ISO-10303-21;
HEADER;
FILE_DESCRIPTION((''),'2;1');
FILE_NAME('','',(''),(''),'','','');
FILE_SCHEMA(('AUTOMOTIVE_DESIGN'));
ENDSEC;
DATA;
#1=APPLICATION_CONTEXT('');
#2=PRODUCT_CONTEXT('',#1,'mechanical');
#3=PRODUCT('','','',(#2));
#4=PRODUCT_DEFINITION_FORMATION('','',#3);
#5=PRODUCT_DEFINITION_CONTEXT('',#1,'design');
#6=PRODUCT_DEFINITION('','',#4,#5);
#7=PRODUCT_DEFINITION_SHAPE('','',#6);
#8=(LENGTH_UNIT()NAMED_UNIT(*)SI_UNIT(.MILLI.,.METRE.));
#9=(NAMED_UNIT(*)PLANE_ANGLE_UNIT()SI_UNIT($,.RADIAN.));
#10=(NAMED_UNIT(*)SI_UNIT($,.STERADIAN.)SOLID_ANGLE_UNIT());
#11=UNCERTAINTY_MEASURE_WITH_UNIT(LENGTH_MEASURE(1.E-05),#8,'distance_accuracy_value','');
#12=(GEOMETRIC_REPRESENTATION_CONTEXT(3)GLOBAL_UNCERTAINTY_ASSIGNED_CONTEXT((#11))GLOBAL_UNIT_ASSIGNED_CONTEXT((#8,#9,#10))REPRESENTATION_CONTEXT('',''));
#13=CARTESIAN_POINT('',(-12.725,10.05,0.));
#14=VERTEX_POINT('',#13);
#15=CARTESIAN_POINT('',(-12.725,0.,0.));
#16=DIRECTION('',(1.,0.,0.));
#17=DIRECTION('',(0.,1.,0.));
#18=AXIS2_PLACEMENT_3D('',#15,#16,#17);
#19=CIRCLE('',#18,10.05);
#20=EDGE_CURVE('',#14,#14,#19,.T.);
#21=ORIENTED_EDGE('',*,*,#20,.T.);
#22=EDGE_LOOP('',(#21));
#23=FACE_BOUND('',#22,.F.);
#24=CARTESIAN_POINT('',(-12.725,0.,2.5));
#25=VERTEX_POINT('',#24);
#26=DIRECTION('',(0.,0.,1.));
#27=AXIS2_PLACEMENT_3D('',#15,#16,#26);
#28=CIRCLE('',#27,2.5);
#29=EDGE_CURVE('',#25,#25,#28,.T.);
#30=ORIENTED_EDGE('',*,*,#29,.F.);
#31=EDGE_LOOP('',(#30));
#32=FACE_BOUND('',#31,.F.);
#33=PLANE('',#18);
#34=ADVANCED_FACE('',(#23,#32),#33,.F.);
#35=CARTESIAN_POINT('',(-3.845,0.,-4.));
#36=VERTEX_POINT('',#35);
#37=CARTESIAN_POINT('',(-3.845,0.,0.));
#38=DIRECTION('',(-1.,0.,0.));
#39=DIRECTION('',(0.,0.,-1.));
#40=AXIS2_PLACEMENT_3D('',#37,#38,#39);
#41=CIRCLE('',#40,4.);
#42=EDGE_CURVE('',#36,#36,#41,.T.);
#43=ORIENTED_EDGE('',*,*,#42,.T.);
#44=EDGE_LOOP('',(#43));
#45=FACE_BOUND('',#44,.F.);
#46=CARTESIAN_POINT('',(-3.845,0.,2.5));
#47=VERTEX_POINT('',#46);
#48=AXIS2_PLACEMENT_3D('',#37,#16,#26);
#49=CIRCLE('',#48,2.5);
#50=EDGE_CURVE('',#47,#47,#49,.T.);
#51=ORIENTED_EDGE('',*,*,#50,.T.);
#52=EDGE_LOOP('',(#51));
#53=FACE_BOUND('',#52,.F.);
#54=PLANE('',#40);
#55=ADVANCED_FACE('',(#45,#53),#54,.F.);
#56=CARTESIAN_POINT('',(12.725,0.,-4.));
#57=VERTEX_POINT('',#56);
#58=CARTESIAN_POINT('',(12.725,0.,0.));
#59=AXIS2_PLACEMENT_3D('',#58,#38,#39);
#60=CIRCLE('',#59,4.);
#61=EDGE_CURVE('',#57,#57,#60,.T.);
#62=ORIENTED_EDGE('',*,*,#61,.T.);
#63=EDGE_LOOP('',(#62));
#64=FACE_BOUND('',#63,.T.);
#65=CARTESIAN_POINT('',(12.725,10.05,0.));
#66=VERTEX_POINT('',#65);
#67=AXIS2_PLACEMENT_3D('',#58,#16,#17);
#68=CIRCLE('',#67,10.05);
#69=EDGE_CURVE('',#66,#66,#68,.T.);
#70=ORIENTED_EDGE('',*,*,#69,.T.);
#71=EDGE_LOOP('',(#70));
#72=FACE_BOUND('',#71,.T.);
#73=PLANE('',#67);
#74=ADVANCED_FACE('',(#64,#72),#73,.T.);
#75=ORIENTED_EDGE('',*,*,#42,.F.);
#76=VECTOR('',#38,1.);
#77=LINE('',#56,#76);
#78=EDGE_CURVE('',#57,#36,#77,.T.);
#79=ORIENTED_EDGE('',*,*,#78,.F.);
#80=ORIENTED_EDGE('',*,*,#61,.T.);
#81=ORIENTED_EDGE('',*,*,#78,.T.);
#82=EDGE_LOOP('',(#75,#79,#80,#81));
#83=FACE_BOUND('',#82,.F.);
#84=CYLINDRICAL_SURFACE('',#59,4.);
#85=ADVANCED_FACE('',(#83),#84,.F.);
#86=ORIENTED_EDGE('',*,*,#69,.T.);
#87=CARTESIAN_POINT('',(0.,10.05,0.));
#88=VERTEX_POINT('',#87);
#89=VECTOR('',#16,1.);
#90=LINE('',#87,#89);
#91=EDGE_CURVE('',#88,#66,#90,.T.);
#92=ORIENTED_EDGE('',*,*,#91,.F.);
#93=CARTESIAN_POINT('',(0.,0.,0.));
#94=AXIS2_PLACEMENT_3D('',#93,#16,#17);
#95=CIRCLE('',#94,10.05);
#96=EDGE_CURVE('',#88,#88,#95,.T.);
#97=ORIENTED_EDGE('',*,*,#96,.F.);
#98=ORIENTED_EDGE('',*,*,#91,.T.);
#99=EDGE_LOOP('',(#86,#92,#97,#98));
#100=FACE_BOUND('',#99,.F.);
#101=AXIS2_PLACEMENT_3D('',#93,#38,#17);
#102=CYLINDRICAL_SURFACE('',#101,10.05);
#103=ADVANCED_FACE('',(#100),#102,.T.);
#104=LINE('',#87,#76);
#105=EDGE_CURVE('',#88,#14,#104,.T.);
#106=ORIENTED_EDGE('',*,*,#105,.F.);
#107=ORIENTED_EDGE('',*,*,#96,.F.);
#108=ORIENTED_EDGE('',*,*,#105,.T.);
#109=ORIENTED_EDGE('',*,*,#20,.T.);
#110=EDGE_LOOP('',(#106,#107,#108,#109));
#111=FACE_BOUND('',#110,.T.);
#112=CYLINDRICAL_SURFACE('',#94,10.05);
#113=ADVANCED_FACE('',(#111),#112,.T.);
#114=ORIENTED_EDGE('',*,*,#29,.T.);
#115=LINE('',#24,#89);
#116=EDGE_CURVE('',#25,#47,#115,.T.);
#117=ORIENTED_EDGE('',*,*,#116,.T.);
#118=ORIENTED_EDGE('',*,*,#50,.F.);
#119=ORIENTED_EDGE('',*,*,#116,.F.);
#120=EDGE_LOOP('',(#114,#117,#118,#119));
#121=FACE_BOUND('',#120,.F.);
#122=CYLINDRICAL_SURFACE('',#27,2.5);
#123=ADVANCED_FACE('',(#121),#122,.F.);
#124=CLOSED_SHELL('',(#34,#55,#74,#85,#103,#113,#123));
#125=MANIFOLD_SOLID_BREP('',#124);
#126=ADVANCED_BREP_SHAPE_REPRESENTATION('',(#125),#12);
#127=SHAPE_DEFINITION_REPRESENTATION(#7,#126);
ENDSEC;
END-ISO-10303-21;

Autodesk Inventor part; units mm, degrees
ref_plane "YZ Plane" through (0, 0, 0) normal (1, 0, 0) x (0, 1, 0)
ref_plane "XZ Plane" through (0, 0, 0) normal (0, 1, 0) x (-1, 0, 0)
ref_plane "XY Plane" through (0, 0, 0) normal (0, 0, 1) x (1, 0, 0)
sketch "Sketch1" plane through (0, 0, 0) normal (1, 0, 0) x (0, 1, 0)
  circle A0 centre (0, 0) radius 10.05
  dimension "d0" = 20.1
extrude "Extrusion1" add sketch "Sketch1" along normal mid plane 25.45
sketch "Sketch2" plane through (12.725, 0, 0) normal (1, 0, 0) x (0, 0, -1)
  circle A0 centre (0, 0) radius 4
  dimension "d3" = 8
hole "Hole1" at (12.725, 0, 0) direction (-1, 0, 0) diameter 8 depth 16.57
sketch "Sketch3" plane through (-12.725, 0, 0) normal (-1, 0, 0) x (0, 0, 1)
  circle A0 centre (0, 0) radius 2.5
  dimension "d11" = 5
hole "Hole2" at (-12.725, 0, 0) direction (1, 0, 0) diameter 5 end through all
properties part number "CNC-1.1v-S-1-( thread coupler)"
